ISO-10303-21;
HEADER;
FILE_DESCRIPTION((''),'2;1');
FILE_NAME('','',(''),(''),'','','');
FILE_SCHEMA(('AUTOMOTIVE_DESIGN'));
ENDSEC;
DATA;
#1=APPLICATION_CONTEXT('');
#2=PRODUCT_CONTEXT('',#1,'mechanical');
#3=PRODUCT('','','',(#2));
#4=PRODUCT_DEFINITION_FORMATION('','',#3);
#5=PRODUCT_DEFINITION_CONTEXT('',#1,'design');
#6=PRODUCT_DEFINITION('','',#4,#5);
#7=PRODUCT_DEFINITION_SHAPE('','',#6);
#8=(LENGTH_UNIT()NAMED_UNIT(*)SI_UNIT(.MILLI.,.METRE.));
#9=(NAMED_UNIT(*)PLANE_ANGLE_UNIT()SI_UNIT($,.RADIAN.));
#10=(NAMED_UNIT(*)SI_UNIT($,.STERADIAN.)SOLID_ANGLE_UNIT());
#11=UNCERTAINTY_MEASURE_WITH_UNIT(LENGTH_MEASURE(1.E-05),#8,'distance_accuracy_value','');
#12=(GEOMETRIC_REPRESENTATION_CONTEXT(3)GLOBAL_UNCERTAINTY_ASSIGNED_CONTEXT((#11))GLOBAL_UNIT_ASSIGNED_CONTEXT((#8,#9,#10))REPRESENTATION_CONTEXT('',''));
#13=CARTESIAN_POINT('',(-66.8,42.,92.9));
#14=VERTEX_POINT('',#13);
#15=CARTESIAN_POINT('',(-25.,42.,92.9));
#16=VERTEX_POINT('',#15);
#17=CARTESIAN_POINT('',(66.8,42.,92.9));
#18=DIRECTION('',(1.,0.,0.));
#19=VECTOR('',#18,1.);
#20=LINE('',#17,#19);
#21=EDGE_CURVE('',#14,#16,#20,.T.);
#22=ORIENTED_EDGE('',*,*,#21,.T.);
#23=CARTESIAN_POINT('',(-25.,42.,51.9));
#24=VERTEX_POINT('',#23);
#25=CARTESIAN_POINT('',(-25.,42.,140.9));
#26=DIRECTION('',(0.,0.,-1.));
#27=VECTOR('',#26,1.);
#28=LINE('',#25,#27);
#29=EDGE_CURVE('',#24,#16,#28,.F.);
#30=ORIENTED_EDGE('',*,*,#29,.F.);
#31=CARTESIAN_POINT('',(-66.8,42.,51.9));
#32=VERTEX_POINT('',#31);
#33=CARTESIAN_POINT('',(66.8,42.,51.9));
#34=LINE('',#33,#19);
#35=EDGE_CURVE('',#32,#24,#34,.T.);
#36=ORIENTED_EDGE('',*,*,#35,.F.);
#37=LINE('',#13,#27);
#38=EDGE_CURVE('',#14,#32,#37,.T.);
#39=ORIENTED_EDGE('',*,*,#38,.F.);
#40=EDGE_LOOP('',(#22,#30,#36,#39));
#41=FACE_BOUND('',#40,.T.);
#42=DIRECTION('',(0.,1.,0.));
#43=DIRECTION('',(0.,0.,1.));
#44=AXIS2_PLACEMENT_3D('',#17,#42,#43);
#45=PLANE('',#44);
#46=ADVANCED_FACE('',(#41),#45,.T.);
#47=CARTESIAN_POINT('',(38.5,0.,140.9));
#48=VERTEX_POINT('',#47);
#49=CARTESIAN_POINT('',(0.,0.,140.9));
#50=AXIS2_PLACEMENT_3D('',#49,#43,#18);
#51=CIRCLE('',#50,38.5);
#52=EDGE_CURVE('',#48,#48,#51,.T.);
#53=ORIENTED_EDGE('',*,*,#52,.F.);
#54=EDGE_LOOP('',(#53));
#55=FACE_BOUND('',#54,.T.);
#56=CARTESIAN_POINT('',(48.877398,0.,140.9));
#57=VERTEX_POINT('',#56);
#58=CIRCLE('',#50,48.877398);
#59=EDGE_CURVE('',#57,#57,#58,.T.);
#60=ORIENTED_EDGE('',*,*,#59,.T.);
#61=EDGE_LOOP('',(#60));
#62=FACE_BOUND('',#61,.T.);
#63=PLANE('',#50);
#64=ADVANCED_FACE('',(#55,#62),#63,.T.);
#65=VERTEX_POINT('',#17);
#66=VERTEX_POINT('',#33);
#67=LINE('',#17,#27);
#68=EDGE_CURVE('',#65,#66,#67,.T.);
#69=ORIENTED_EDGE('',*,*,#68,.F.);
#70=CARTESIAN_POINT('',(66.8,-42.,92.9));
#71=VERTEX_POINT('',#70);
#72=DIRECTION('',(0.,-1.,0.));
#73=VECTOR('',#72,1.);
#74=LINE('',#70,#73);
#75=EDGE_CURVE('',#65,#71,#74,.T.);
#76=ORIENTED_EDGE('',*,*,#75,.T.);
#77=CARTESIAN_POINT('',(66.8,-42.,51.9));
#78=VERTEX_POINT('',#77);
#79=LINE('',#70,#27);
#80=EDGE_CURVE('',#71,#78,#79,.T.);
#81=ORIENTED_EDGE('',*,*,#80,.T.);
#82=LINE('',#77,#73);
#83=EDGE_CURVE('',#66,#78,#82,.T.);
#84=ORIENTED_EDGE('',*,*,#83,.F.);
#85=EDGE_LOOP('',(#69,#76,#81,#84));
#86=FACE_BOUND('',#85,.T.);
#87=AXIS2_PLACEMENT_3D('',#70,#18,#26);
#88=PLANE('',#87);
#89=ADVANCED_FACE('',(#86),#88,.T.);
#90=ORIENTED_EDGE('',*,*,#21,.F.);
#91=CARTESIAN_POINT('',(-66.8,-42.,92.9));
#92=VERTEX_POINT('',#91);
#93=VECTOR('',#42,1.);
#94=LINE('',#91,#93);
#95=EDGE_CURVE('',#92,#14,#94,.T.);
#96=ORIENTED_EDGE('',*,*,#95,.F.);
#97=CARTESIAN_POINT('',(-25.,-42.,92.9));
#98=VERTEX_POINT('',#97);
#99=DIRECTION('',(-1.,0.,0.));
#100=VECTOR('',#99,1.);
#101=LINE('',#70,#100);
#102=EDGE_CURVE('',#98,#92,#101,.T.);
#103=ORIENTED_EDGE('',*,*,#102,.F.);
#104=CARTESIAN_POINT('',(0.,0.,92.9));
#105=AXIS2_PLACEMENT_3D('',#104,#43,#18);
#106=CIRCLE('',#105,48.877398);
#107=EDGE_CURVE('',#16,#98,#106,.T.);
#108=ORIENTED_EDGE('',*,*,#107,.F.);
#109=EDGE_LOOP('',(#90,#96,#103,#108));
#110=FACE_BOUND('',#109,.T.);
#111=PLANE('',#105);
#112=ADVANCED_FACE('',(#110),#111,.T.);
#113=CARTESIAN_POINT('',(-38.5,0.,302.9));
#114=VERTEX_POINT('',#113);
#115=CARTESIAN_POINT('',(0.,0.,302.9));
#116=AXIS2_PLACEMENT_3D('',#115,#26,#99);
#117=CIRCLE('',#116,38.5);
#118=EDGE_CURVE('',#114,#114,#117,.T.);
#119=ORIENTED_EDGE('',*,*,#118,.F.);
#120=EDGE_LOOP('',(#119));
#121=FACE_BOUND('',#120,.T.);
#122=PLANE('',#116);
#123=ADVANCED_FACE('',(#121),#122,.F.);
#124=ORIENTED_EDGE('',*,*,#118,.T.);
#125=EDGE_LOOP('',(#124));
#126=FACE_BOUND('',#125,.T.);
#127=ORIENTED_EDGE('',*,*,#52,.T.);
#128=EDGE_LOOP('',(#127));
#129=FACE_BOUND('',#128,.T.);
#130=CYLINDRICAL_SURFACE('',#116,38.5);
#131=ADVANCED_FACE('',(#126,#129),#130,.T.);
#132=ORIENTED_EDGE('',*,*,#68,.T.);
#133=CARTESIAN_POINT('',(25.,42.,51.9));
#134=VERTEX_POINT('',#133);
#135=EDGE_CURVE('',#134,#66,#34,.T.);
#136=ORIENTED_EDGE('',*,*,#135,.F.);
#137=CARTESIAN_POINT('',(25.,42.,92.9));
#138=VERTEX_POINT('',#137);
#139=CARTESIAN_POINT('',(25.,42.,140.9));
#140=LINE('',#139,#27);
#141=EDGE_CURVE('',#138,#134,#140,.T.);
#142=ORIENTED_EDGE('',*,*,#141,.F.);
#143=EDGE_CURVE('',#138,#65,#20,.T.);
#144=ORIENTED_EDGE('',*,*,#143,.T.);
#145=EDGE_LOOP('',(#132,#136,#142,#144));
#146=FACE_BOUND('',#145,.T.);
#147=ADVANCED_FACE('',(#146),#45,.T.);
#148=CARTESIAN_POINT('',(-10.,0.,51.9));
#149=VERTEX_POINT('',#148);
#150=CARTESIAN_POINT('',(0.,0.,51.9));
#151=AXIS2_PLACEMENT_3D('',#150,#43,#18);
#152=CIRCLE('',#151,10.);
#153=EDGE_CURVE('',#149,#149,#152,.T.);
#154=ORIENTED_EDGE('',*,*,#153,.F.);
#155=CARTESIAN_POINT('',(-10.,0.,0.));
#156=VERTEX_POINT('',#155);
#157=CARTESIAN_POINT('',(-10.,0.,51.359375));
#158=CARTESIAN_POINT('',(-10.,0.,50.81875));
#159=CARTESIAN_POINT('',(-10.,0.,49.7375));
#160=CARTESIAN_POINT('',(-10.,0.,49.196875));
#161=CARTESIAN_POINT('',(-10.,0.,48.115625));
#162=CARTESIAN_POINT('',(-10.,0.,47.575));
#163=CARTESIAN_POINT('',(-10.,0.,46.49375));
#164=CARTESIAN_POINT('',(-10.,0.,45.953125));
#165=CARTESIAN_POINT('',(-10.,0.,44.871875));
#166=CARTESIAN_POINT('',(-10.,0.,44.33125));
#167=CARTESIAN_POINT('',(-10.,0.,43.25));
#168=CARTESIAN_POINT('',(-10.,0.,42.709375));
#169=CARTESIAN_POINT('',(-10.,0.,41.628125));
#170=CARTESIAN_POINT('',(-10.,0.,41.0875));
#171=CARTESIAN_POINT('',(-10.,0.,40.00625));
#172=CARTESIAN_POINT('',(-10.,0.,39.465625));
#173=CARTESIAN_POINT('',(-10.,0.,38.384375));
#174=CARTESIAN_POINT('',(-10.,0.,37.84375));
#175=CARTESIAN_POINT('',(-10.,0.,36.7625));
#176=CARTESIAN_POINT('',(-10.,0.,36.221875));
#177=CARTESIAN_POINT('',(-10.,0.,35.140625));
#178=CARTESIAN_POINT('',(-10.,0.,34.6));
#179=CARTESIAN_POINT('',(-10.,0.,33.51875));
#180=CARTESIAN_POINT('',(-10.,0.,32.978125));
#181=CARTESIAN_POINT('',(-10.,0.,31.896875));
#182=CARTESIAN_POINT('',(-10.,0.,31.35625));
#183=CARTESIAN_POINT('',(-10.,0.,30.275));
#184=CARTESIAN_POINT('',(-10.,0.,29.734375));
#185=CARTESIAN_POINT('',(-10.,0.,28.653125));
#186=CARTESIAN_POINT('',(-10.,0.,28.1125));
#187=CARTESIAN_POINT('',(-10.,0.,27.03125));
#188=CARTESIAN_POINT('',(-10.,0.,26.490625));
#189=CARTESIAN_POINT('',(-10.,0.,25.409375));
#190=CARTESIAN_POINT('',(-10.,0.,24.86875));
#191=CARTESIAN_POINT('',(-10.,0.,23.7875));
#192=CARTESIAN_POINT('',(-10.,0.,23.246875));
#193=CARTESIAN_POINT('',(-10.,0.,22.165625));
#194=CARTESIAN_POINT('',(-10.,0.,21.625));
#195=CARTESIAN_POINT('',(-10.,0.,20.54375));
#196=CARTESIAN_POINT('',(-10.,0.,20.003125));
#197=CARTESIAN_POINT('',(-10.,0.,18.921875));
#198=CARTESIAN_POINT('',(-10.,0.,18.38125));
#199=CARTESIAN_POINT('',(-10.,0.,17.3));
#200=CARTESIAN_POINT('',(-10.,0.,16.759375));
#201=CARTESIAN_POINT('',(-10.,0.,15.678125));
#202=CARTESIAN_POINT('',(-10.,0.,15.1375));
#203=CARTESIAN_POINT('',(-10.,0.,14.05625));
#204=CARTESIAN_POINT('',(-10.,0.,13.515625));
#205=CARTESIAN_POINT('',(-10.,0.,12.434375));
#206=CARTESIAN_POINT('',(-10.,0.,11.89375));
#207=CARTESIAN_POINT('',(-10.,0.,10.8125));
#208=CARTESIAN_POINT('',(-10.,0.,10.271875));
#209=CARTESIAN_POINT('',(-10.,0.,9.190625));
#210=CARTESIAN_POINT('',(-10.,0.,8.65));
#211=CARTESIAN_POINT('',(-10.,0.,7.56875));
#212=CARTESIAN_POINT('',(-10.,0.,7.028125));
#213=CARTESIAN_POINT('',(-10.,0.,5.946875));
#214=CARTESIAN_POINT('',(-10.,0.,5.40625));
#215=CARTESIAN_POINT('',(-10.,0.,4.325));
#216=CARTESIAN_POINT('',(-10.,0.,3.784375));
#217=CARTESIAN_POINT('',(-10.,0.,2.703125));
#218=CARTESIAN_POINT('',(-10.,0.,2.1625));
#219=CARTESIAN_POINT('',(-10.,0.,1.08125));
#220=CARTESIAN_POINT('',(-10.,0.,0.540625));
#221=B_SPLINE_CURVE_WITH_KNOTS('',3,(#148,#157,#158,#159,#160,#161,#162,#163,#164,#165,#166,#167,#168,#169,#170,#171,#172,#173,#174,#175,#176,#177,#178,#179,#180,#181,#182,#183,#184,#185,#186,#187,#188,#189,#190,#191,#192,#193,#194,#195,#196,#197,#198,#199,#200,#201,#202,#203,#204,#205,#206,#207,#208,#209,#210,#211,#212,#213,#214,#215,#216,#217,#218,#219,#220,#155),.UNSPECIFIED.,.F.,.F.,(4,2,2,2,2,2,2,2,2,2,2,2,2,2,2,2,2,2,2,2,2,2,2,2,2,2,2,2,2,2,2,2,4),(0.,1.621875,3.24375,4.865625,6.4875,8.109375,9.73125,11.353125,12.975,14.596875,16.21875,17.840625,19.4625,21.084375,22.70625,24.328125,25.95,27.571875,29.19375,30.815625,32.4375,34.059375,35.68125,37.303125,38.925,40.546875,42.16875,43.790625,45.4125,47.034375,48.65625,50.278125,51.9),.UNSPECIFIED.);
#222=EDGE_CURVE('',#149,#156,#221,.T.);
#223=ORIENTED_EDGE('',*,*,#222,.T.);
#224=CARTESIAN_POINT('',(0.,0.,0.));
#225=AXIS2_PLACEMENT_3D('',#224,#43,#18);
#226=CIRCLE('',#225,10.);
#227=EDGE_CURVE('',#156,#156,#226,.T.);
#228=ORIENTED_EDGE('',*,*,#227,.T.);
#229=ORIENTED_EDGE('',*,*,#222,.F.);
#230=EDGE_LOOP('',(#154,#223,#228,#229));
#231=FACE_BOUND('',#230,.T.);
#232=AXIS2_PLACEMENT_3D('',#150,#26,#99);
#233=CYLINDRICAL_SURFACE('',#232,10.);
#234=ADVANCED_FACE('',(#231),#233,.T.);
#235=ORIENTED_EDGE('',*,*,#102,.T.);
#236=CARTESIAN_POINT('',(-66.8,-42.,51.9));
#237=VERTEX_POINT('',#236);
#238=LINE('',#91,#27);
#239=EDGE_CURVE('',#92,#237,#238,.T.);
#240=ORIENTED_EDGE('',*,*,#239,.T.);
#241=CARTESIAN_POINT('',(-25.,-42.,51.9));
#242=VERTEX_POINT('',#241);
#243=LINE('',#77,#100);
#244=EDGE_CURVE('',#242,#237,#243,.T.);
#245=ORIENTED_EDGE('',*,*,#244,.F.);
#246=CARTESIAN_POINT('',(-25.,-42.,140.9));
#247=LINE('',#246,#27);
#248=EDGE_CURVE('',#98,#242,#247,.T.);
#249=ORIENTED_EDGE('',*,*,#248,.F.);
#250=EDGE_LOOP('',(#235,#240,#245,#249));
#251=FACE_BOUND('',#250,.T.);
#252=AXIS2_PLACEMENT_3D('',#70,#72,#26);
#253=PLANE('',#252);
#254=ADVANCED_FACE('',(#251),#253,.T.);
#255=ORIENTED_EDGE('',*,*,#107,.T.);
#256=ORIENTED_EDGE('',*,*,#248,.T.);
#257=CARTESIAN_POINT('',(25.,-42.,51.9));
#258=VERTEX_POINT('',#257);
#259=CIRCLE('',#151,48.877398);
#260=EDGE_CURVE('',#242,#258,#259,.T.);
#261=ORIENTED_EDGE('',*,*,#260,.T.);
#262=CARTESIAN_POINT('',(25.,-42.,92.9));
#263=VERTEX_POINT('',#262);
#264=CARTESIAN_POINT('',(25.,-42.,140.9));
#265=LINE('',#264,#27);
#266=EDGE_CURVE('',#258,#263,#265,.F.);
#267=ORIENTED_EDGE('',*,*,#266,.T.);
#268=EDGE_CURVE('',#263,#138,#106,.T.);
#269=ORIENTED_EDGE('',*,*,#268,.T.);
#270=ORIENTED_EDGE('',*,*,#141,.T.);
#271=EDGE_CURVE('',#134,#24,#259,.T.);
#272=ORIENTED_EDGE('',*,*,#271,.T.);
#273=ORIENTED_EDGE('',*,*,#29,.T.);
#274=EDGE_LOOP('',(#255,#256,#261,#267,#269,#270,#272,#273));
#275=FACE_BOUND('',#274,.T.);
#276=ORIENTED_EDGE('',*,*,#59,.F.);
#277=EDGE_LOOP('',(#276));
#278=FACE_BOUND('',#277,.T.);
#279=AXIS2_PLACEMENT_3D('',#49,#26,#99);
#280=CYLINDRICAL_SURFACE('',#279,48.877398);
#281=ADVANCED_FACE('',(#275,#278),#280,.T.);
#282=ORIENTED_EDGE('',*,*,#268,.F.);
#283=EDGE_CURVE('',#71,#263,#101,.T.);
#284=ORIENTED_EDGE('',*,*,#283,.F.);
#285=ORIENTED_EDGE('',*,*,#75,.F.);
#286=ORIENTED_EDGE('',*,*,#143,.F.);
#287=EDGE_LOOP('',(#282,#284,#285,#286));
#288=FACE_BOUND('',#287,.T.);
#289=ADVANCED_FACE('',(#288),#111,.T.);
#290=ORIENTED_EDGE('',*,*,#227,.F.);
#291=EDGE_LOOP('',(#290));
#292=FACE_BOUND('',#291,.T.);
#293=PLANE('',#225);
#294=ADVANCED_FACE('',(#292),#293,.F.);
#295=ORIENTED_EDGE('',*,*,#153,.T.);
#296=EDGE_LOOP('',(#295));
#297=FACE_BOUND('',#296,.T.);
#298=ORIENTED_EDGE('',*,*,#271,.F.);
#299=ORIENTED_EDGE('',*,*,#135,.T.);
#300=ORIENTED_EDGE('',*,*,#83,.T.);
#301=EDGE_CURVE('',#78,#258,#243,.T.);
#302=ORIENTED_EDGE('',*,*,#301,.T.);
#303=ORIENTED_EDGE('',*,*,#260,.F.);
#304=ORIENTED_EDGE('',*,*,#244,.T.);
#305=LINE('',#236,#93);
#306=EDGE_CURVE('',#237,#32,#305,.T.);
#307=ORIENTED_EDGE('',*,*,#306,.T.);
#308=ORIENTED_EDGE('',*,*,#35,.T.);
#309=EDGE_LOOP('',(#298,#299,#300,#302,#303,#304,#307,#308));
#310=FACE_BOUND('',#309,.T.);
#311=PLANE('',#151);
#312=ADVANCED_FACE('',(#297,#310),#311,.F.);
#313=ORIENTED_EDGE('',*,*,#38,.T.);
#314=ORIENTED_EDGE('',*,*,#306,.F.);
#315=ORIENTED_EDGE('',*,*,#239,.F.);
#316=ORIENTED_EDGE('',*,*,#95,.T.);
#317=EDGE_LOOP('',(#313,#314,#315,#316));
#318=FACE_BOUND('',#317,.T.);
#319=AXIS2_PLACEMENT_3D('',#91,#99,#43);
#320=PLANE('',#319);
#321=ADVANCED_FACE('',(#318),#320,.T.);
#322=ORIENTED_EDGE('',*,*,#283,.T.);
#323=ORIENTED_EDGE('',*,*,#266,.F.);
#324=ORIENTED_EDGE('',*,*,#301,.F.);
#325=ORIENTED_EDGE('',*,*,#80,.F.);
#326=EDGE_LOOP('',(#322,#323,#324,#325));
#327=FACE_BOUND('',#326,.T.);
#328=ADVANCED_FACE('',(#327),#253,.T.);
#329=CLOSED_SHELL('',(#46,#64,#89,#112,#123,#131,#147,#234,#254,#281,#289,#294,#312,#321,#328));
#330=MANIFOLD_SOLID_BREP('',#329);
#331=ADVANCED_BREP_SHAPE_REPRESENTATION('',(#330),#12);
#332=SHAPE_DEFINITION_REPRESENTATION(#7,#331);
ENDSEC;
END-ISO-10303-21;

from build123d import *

# Parameters (mm, degrees)
SKETCH_1_R      = 10
EXTRUDE_1_DEPTH = 51.9
SKETCH_2_R      = 48.877397639
EXTRUDE_2_DEPTH = 89
SKETCH_4_W      = 133.6
SKETCH_4_H      = 84
EXTRUDE_4_DEPTH = 41
SKETCH_5_R      = 38.5
EXTRUDE_5_DEPTH = 251


with BuildPart() as part:
    # 草图1 → 凸台-拉伸1 (new body)
    with BuildSketch(Plane.XY):
        with Locations(Location((0, 0, 0), (0, 0, 180))):
            Circle(SKETCH_1_R)
    extrude(amount=EXTRUDE_1_DEPTH)

    # 草图2 → 凸台-拉伸2 (add)
    with BuildSketch(Plane.XY.offset(51.9)):
        Circle(SKETCH_2_R)
    extrude(amount=EXTRUDE_2_DEPTH)

    # 草图4 → 凸台-拉伸4 (add)
    with BuildSketch(Plane(origin=(0, 0, 51.9), x_dir=(-1, 0, 0), z_dir=(0, 0, -1))):
        Rectangle(SKETCH_4_W, SKETCH_4_H)
    extrude(amount=-EXTRUDE_4_DEPTH)

    # 草图5 → 凸台-拉伸5 (add)
    with BuildSketch(Plane(origin=(0, 0, 51.9), x_dir=(-1, 0, 0), z_dir=(0, 0, -1))):
        Circle(SKETCH_5_R)
    extrude(amount=-EXTRUDE_5_DEPTH)


solid = part.part
